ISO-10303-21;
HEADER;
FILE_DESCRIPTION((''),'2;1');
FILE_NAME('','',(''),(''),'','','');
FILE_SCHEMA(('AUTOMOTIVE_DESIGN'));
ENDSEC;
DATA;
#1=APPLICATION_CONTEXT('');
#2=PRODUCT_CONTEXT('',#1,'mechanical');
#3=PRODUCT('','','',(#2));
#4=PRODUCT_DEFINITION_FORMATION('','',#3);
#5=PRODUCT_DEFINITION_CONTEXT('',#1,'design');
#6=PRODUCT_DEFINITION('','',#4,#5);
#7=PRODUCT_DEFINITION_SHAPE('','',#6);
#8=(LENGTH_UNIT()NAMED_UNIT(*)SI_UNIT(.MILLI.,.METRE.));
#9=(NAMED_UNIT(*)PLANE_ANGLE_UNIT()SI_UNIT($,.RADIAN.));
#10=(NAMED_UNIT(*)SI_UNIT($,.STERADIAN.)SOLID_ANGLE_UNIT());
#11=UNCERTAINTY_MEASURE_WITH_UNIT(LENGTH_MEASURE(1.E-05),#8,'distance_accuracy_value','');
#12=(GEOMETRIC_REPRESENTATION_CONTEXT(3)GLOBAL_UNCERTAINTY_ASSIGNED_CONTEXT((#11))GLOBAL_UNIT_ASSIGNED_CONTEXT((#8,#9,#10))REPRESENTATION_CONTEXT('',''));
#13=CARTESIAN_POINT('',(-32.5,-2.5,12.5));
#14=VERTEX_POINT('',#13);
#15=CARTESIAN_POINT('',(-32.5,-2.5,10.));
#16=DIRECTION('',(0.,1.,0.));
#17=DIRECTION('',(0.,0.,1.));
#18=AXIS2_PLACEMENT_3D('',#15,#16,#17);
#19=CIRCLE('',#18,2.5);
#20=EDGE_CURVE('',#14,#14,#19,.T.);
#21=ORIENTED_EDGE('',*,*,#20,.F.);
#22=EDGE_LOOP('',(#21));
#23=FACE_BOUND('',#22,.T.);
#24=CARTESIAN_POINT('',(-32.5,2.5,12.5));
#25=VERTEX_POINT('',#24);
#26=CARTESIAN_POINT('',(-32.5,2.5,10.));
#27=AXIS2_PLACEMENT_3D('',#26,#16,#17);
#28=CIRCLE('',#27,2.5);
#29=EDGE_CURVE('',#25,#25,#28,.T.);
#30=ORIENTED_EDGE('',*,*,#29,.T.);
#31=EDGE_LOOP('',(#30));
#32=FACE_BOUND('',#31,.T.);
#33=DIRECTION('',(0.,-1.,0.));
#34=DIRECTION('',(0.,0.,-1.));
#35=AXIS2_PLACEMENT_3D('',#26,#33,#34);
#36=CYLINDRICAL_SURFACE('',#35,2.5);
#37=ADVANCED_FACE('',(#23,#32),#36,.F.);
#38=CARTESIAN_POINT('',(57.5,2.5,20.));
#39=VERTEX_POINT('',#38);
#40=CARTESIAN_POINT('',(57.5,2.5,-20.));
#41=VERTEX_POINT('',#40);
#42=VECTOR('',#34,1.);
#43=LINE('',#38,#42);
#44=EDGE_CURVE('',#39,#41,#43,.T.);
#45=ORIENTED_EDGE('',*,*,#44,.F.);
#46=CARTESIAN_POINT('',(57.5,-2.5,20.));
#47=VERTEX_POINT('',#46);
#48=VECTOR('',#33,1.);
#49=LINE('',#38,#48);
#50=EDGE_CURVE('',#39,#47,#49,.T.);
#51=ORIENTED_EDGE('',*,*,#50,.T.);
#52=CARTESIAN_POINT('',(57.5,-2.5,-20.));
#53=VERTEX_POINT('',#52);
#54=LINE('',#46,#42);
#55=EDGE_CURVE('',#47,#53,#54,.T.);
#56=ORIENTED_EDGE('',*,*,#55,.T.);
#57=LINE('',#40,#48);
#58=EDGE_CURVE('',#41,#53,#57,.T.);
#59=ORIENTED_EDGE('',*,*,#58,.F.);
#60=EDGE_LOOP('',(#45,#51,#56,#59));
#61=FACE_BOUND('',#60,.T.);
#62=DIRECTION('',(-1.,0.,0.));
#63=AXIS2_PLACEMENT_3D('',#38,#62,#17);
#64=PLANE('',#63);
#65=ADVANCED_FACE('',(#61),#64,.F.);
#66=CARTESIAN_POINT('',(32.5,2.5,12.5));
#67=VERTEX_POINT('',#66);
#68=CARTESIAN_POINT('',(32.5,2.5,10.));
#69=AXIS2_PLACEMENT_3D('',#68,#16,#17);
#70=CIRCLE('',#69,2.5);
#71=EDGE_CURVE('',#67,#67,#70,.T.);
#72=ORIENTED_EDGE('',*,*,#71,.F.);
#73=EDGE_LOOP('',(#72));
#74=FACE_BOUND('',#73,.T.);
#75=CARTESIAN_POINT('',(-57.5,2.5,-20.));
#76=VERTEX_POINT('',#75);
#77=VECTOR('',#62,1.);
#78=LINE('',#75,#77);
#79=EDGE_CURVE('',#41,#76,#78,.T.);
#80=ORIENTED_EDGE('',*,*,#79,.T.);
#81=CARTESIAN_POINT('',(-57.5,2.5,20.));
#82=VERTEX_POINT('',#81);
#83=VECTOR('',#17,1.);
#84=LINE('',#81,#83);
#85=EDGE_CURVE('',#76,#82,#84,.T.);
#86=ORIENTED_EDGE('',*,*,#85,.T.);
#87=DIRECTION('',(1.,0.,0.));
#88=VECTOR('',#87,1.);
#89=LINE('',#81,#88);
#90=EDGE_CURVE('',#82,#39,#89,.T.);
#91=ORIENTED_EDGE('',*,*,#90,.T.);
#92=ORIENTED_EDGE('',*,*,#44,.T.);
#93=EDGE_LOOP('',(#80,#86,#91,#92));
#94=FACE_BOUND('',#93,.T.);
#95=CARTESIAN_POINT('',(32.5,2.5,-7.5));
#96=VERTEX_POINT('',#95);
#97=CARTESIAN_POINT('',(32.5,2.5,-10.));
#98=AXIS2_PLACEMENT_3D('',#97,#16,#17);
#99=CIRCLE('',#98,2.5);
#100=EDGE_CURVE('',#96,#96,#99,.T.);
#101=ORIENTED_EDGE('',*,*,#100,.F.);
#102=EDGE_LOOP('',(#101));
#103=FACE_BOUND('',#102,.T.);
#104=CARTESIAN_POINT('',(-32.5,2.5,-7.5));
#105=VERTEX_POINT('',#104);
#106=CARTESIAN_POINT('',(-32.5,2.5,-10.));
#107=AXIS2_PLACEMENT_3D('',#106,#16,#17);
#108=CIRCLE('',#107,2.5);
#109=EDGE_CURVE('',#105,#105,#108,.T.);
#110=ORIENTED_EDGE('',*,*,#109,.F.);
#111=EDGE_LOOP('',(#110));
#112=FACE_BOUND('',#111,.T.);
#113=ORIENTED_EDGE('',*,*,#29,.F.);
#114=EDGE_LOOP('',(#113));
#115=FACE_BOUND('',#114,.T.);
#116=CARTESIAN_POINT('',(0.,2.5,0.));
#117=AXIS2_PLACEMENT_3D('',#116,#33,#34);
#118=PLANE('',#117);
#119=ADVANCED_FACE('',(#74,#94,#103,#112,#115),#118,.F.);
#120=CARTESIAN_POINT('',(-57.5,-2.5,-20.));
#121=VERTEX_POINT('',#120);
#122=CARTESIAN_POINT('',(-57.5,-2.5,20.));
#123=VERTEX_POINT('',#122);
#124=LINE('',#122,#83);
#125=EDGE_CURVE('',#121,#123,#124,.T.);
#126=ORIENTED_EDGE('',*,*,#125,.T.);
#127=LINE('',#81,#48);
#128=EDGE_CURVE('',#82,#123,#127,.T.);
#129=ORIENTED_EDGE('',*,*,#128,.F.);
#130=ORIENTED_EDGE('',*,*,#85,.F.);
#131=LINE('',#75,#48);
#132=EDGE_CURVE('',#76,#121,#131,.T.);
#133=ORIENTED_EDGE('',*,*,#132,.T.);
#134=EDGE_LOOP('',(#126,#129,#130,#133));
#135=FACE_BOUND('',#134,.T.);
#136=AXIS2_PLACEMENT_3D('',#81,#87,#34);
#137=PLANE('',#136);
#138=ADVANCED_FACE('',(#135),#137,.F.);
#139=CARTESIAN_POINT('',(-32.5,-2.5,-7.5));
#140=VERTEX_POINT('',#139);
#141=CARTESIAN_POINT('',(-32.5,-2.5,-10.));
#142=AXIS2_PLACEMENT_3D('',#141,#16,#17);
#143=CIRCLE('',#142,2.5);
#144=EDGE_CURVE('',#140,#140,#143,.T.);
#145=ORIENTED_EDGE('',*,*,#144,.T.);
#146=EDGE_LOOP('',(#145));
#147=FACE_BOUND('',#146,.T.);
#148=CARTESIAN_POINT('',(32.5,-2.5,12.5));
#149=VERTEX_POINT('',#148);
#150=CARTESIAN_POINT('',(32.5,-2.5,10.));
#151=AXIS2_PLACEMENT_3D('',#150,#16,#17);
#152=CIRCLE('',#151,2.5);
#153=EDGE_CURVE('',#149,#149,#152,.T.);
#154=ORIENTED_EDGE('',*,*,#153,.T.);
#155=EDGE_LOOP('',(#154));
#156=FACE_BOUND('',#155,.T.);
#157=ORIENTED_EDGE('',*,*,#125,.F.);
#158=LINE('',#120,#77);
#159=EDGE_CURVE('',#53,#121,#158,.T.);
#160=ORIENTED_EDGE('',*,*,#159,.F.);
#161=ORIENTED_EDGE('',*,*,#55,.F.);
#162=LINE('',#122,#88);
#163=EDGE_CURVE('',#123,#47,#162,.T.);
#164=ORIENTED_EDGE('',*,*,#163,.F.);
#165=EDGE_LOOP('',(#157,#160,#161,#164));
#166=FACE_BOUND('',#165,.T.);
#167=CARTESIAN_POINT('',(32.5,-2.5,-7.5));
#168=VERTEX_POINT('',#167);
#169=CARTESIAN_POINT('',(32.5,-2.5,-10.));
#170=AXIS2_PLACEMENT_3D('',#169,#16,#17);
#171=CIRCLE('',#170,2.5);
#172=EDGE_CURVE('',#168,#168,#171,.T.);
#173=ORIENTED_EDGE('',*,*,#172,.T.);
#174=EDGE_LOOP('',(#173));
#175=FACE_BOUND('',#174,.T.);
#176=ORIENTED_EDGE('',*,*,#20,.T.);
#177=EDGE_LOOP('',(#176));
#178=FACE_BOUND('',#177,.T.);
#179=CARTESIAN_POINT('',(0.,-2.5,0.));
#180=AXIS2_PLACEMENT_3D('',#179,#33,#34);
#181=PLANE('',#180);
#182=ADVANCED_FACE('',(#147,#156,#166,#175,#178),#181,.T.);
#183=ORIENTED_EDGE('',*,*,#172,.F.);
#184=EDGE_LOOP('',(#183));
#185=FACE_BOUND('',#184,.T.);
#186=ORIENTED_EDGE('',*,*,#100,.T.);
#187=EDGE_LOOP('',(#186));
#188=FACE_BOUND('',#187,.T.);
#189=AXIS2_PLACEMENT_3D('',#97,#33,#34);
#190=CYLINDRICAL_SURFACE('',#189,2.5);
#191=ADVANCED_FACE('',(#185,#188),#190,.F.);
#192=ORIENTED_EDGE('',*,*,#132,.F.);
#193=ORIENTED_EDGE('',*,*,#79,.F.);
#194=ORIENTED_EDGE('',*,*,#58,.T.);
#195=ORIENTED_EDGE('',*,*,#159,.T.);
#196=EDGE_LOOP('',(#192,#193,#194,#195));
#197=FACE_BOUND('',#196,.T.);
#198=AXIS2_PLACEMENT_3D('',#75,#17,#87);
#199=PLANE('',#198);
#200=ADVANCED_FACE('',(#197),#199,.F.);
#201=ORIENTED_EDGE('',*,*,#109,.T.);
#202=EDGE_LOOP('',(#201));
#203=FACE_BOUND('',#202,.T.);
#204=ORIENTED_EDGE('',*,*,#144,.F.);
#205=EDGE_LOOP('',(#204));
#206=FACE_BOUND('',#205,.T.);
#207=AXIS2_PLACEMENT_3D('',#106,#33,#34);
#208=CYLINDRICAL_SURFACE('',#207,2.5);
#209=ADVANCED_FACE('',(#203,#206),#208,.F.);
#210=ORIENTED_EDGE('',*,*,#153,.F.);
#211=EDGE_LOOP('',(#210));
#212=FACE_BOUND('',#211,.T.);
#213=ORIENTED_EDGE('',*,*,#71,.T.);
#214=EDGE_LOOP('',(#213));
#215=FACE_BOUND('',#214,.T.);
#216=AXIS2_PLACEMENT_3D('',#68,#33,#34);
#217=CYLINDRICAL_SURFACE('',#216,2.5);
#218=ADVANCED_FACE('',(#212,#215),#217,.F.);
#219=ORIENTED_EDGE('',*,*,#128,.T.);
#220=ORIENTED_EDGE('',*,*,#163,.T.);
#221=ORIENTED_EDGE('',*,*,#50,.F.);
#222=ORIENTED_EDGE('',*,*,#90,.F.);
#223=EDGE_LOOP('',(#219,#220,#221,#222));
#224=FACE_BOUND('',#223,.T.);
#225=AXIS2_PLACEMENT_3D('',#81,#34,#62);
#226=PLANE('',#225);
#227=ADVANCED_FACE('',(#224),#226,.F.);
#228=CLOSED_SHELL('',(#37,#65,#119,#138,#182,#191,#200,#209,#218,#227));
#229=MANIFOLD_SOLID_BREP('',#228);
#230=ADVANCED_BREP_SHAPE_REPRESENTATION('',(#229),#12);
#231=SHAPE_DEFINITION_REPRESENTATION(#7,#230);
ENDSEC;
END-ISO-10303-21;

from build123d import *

# Parameters (mm, degrees)
SKETCH2_W           = 115
SKETCH2_H           = 40
SKETCH2_R           = 2.5
BOSS_EXTRUDE1_DEPTH = 2.5


with BuildPart() as part:
    # Sketch2 → Boss-Extrude1 (new body, symmetric)
    with BuildSketch(Plane(origin=(0, 0, 0), x_dir=(1, 0, 0), z_dir=(0, 1, 0))):
        Rectangle(SKETCH2_W, SKETCH2_H)
        with Locations((-32.5, 10)):
            Circle(SKETCH2_R, mode=Mode.SUBTRACT)
        with Locations((32.5, 10)):
            Circle(SKETCH2_R, mode=Mode.SUBTRACT)
        with Locations((32.5, -10)):
            Circle(SKETCH2_R, mode=Mode.SUBTRACT)
        with Locations((-32.5, -10)):
            Circle(SKETCH2_R, mode=Mode.SUBTRACT)
    extrude(amount=BOSS_EXTRUDE1_DEPTH, both=True)


solid = part.part
